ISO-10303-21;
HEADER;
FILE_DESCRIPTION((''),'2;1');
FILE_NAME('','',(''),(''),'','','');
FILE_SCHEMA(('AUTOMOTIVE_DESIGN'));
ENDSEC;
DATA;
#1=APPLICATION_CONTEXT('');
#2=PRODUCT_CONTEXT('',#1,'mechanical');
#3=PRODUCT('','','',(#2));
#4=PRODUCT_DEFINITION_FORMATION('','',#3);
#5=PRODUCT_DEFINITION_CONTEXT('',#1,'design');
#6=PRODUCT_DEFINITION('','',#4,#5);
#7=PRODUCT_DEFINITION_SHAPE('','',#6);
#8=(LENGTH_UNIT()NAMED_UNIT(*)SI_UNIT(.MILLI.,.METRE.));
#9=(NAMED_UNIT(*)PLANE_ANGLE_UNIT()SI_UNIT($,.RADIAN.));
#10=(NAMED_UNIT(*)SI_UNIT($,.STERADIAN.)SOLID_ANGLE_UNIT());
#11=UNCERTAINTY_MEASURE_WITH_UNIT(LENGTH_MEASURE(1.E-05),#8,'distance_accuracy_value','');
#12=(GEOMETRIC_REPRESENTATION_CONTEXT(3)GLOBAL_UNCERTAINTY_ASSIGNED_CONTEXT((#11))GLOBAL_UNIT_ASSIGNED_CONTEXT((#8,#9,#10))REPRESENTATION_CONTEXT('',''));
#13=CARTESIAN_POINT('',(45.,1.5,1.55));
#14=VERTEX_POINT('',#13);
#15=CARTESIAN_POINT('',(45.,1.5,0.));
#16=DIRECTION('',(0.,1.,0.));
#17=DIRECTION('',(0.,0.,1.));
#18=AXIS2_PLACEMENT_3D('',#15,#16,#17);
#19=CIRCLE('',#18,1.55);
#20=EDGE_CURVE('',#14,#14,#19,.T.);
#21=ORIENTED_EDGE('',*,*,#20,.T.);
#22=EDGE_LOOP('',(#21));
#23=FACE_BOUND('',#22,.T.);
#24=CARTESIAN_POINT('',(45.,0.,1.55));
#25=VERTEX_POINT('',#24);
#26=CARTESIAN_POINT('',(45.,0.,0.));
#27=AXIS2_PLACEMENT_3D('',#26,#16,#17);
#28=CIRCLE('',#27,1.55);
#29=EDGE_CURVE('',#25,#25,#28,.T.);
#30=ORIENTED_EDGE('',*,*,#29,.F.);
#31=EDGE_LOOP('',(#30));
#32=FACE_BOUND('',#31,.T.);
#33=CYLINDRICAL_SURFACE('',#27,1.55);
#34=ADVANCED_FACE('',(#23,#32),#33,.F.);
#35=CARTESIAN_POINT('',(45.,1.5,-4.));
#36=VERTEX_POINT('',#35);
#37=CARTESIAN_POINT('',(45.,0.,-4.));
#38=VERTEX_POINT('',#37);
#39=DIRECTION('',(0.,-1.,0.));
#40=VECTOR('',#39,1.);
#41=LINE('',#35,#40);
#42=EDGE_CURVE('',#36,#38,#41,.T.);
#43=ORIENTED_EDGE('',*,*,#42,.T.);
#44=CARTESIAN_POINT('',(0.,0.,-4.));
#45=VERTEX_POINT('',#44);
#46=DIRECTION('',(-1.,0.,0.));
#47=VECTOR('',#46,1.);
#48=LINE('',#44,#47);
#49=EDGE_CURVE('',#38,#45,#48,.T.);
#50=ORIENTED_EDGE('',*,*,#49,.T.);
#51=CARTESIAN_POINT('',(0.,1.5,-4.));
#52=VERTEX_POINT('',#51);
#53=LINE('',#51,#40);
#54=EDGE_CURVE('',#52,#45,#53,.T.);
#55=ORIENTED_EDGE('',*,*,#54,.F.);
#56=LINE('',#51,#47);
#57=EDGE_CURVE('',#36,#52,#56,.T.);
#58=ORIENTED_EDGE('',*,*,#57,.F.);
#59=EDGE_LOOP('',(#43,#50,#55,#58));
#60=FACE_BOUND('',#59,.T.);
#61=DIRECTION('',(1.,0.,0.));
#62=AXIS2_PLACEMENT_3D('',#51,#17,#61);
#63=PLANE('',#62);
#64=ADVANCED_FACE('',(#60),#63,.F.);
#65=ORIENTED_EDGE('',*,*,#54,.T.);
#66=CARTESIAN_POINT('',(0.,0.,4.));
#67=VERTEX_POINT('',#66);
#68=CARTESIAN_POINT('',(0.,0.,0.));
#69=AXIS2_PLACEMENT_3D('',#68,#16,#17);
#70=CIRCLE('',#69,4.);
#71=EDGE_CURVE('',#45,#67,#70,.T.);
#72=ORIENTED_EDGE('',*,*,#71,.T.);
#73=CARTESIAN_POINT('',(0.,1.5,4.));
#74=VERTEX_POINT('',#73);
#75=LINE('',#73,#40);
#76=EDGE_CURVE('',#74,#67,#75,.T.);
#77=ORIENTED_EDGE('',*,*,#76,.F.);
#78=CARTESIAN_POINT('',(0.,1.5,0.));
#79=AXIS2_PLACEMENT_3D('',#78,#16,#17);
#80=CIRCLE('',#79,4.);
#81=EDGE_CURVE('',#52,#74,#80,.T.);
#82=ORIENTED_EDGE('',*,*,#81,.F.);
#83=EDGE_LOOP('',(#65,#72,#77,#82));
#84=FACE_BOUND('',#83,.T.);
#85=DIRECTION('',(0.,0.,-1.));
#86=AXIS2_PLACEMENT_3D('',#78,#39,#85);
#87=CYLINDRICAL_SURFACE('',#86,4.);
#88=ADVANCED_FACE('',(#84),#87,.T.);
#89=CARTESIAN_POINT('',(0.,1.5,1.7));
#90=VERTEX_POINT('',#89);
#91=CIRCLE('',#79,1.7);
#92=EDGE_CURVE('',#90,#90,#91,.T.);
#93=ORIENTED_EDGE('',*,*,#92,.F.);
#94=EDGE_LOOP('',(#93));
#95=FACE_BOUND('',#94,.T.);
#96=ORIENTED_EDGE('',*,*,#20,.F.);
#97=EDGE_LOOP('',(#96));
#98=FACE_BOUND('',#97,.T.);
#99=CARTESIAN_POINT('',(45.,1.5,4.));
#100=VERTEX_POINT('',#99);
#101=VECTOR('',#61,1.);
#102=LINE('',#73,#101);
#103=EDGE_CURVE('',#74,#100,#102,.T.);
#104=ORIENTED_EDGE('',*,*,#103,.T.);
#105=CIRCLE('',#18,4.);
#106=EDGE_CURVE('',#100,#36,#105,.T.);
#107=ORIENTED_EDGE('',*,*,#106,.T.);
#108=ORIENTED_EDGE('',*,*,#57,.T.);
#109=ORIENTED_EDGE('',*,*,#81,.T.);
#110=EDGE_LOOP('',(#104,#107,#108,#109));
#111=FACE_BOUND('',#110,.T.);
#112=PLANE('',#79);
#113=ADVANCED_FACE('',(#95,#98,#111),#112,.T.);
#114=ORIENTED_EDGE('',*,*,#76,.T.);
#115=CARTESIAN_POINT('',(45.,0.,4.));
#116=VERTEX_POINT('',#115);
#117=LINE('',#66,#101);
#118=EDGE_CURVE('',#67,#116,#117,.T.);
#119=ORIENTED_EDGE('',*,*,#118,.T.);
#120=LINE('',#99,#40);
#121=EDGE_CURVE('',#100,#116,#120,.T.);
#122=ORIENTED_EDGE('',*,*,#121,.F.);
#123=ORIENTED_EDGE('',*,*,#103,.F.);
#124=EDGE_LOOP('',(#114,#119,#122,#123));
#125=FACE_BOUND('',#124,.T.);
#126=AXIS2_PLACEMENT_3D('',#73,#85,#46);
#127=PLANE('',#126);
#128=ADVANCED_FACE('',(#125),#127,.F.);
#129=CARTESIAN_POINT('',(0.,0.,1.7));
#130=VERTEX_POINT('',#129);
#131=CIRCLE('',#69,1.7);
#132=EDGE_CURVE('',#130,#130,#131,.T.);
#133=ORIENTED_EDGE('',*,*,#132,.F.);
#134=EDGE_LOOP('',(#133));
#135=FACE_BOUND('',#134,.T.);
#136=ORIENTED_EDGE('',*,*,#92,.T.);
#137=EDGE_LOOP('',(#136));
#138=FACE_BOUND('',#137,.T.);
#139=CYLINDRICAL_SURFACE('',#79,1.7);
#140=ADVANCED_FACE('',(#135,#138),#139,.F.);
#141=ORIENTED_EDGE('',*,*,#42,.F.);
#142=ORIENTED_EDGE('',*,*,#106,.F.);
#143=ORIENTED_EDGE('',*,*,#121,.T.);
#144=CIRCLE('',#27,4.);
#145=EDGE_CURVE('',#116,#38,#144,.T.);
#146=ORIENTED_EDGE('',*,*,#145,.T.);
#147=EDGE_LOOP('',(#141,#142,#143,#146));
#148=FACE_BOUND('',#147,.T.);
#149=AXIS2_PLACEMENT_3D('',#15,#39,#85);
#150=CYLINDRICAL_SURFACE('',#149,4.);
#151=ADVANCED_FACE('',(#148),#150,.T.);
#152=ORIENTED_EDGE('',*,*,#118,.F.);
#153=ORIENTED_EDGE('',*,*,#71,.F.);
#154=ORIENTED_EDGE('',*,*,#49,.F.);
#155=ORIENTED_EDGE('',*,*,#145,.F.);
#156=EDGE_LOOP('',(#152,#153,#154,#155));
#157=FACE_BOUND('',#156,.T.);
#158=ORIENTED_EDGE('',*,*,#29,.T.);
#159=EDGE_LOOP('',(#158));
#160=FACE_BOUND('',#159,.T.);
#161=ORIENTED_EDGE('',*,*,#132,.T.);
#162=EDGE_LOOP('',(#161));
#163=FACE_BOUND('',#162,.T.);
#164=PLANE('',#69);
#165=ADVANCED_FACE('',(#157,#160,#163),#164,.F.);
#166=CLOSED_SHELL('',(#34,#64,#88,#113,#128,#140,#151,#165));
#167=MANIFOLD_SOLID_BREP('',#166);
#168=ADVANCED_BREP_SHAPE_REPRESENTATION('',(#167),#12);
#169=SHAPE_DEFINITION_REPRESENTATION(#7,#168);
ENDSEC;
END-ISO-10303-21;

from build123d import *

# Parameters (mm, degrees)
BOSS_EXTRUDE1_DEPTH  = 1.5
M3_CLEARANCE_HOLE1_D = 3.4
SKETCH4_R            = 1.55
CUT_EXTRUDE1_DEPTH   = 2.5


with BuildPart() as part:
    # Sketch1 → Boss-Extrude1 (new body)
    with BuildSketch(Plane(origin=(0, 0, 0), x_dir=(1, 0, 0), z_dir=(0, 1, 0))):
        with BuildLine():
            Line((0, 4), (45, 4))
            ThreePointArc((45, 4), (49, 0), (45, -4))
            Line((45, -4), (0, -4))
            ThreePointArc((0, -4), (-4, 0), (0, 4))
        make_face()
    extrude(amount=BOSS_EXTRUDE1_DEPTH)

    # M3 Clearance Hole1 (through all)
    with Locations(Plane(origin=(0, 1.5, 0), x_dir=(1, 0, 0), z_dir=(0, 1, 0))):
        with Locations((0, 0)):
            Hole(M3_CLEARANCE_HOLE1_D / 2)

    # Sketch4 → Cut-Extrude1 (cut, through all)
    with BuildSketch(Plane(origin=(0, 1.5, 0), x_dir=(1, 0, 0), z_dir=(0, 1, 0))):
        with Locations((45, 0)):
            Circle(SKETCH4_R)
    extrude(amount=-CUT_EXTRUDE1_DEPTH, mode=Mode.SUBTRACT)


solid = part.part
